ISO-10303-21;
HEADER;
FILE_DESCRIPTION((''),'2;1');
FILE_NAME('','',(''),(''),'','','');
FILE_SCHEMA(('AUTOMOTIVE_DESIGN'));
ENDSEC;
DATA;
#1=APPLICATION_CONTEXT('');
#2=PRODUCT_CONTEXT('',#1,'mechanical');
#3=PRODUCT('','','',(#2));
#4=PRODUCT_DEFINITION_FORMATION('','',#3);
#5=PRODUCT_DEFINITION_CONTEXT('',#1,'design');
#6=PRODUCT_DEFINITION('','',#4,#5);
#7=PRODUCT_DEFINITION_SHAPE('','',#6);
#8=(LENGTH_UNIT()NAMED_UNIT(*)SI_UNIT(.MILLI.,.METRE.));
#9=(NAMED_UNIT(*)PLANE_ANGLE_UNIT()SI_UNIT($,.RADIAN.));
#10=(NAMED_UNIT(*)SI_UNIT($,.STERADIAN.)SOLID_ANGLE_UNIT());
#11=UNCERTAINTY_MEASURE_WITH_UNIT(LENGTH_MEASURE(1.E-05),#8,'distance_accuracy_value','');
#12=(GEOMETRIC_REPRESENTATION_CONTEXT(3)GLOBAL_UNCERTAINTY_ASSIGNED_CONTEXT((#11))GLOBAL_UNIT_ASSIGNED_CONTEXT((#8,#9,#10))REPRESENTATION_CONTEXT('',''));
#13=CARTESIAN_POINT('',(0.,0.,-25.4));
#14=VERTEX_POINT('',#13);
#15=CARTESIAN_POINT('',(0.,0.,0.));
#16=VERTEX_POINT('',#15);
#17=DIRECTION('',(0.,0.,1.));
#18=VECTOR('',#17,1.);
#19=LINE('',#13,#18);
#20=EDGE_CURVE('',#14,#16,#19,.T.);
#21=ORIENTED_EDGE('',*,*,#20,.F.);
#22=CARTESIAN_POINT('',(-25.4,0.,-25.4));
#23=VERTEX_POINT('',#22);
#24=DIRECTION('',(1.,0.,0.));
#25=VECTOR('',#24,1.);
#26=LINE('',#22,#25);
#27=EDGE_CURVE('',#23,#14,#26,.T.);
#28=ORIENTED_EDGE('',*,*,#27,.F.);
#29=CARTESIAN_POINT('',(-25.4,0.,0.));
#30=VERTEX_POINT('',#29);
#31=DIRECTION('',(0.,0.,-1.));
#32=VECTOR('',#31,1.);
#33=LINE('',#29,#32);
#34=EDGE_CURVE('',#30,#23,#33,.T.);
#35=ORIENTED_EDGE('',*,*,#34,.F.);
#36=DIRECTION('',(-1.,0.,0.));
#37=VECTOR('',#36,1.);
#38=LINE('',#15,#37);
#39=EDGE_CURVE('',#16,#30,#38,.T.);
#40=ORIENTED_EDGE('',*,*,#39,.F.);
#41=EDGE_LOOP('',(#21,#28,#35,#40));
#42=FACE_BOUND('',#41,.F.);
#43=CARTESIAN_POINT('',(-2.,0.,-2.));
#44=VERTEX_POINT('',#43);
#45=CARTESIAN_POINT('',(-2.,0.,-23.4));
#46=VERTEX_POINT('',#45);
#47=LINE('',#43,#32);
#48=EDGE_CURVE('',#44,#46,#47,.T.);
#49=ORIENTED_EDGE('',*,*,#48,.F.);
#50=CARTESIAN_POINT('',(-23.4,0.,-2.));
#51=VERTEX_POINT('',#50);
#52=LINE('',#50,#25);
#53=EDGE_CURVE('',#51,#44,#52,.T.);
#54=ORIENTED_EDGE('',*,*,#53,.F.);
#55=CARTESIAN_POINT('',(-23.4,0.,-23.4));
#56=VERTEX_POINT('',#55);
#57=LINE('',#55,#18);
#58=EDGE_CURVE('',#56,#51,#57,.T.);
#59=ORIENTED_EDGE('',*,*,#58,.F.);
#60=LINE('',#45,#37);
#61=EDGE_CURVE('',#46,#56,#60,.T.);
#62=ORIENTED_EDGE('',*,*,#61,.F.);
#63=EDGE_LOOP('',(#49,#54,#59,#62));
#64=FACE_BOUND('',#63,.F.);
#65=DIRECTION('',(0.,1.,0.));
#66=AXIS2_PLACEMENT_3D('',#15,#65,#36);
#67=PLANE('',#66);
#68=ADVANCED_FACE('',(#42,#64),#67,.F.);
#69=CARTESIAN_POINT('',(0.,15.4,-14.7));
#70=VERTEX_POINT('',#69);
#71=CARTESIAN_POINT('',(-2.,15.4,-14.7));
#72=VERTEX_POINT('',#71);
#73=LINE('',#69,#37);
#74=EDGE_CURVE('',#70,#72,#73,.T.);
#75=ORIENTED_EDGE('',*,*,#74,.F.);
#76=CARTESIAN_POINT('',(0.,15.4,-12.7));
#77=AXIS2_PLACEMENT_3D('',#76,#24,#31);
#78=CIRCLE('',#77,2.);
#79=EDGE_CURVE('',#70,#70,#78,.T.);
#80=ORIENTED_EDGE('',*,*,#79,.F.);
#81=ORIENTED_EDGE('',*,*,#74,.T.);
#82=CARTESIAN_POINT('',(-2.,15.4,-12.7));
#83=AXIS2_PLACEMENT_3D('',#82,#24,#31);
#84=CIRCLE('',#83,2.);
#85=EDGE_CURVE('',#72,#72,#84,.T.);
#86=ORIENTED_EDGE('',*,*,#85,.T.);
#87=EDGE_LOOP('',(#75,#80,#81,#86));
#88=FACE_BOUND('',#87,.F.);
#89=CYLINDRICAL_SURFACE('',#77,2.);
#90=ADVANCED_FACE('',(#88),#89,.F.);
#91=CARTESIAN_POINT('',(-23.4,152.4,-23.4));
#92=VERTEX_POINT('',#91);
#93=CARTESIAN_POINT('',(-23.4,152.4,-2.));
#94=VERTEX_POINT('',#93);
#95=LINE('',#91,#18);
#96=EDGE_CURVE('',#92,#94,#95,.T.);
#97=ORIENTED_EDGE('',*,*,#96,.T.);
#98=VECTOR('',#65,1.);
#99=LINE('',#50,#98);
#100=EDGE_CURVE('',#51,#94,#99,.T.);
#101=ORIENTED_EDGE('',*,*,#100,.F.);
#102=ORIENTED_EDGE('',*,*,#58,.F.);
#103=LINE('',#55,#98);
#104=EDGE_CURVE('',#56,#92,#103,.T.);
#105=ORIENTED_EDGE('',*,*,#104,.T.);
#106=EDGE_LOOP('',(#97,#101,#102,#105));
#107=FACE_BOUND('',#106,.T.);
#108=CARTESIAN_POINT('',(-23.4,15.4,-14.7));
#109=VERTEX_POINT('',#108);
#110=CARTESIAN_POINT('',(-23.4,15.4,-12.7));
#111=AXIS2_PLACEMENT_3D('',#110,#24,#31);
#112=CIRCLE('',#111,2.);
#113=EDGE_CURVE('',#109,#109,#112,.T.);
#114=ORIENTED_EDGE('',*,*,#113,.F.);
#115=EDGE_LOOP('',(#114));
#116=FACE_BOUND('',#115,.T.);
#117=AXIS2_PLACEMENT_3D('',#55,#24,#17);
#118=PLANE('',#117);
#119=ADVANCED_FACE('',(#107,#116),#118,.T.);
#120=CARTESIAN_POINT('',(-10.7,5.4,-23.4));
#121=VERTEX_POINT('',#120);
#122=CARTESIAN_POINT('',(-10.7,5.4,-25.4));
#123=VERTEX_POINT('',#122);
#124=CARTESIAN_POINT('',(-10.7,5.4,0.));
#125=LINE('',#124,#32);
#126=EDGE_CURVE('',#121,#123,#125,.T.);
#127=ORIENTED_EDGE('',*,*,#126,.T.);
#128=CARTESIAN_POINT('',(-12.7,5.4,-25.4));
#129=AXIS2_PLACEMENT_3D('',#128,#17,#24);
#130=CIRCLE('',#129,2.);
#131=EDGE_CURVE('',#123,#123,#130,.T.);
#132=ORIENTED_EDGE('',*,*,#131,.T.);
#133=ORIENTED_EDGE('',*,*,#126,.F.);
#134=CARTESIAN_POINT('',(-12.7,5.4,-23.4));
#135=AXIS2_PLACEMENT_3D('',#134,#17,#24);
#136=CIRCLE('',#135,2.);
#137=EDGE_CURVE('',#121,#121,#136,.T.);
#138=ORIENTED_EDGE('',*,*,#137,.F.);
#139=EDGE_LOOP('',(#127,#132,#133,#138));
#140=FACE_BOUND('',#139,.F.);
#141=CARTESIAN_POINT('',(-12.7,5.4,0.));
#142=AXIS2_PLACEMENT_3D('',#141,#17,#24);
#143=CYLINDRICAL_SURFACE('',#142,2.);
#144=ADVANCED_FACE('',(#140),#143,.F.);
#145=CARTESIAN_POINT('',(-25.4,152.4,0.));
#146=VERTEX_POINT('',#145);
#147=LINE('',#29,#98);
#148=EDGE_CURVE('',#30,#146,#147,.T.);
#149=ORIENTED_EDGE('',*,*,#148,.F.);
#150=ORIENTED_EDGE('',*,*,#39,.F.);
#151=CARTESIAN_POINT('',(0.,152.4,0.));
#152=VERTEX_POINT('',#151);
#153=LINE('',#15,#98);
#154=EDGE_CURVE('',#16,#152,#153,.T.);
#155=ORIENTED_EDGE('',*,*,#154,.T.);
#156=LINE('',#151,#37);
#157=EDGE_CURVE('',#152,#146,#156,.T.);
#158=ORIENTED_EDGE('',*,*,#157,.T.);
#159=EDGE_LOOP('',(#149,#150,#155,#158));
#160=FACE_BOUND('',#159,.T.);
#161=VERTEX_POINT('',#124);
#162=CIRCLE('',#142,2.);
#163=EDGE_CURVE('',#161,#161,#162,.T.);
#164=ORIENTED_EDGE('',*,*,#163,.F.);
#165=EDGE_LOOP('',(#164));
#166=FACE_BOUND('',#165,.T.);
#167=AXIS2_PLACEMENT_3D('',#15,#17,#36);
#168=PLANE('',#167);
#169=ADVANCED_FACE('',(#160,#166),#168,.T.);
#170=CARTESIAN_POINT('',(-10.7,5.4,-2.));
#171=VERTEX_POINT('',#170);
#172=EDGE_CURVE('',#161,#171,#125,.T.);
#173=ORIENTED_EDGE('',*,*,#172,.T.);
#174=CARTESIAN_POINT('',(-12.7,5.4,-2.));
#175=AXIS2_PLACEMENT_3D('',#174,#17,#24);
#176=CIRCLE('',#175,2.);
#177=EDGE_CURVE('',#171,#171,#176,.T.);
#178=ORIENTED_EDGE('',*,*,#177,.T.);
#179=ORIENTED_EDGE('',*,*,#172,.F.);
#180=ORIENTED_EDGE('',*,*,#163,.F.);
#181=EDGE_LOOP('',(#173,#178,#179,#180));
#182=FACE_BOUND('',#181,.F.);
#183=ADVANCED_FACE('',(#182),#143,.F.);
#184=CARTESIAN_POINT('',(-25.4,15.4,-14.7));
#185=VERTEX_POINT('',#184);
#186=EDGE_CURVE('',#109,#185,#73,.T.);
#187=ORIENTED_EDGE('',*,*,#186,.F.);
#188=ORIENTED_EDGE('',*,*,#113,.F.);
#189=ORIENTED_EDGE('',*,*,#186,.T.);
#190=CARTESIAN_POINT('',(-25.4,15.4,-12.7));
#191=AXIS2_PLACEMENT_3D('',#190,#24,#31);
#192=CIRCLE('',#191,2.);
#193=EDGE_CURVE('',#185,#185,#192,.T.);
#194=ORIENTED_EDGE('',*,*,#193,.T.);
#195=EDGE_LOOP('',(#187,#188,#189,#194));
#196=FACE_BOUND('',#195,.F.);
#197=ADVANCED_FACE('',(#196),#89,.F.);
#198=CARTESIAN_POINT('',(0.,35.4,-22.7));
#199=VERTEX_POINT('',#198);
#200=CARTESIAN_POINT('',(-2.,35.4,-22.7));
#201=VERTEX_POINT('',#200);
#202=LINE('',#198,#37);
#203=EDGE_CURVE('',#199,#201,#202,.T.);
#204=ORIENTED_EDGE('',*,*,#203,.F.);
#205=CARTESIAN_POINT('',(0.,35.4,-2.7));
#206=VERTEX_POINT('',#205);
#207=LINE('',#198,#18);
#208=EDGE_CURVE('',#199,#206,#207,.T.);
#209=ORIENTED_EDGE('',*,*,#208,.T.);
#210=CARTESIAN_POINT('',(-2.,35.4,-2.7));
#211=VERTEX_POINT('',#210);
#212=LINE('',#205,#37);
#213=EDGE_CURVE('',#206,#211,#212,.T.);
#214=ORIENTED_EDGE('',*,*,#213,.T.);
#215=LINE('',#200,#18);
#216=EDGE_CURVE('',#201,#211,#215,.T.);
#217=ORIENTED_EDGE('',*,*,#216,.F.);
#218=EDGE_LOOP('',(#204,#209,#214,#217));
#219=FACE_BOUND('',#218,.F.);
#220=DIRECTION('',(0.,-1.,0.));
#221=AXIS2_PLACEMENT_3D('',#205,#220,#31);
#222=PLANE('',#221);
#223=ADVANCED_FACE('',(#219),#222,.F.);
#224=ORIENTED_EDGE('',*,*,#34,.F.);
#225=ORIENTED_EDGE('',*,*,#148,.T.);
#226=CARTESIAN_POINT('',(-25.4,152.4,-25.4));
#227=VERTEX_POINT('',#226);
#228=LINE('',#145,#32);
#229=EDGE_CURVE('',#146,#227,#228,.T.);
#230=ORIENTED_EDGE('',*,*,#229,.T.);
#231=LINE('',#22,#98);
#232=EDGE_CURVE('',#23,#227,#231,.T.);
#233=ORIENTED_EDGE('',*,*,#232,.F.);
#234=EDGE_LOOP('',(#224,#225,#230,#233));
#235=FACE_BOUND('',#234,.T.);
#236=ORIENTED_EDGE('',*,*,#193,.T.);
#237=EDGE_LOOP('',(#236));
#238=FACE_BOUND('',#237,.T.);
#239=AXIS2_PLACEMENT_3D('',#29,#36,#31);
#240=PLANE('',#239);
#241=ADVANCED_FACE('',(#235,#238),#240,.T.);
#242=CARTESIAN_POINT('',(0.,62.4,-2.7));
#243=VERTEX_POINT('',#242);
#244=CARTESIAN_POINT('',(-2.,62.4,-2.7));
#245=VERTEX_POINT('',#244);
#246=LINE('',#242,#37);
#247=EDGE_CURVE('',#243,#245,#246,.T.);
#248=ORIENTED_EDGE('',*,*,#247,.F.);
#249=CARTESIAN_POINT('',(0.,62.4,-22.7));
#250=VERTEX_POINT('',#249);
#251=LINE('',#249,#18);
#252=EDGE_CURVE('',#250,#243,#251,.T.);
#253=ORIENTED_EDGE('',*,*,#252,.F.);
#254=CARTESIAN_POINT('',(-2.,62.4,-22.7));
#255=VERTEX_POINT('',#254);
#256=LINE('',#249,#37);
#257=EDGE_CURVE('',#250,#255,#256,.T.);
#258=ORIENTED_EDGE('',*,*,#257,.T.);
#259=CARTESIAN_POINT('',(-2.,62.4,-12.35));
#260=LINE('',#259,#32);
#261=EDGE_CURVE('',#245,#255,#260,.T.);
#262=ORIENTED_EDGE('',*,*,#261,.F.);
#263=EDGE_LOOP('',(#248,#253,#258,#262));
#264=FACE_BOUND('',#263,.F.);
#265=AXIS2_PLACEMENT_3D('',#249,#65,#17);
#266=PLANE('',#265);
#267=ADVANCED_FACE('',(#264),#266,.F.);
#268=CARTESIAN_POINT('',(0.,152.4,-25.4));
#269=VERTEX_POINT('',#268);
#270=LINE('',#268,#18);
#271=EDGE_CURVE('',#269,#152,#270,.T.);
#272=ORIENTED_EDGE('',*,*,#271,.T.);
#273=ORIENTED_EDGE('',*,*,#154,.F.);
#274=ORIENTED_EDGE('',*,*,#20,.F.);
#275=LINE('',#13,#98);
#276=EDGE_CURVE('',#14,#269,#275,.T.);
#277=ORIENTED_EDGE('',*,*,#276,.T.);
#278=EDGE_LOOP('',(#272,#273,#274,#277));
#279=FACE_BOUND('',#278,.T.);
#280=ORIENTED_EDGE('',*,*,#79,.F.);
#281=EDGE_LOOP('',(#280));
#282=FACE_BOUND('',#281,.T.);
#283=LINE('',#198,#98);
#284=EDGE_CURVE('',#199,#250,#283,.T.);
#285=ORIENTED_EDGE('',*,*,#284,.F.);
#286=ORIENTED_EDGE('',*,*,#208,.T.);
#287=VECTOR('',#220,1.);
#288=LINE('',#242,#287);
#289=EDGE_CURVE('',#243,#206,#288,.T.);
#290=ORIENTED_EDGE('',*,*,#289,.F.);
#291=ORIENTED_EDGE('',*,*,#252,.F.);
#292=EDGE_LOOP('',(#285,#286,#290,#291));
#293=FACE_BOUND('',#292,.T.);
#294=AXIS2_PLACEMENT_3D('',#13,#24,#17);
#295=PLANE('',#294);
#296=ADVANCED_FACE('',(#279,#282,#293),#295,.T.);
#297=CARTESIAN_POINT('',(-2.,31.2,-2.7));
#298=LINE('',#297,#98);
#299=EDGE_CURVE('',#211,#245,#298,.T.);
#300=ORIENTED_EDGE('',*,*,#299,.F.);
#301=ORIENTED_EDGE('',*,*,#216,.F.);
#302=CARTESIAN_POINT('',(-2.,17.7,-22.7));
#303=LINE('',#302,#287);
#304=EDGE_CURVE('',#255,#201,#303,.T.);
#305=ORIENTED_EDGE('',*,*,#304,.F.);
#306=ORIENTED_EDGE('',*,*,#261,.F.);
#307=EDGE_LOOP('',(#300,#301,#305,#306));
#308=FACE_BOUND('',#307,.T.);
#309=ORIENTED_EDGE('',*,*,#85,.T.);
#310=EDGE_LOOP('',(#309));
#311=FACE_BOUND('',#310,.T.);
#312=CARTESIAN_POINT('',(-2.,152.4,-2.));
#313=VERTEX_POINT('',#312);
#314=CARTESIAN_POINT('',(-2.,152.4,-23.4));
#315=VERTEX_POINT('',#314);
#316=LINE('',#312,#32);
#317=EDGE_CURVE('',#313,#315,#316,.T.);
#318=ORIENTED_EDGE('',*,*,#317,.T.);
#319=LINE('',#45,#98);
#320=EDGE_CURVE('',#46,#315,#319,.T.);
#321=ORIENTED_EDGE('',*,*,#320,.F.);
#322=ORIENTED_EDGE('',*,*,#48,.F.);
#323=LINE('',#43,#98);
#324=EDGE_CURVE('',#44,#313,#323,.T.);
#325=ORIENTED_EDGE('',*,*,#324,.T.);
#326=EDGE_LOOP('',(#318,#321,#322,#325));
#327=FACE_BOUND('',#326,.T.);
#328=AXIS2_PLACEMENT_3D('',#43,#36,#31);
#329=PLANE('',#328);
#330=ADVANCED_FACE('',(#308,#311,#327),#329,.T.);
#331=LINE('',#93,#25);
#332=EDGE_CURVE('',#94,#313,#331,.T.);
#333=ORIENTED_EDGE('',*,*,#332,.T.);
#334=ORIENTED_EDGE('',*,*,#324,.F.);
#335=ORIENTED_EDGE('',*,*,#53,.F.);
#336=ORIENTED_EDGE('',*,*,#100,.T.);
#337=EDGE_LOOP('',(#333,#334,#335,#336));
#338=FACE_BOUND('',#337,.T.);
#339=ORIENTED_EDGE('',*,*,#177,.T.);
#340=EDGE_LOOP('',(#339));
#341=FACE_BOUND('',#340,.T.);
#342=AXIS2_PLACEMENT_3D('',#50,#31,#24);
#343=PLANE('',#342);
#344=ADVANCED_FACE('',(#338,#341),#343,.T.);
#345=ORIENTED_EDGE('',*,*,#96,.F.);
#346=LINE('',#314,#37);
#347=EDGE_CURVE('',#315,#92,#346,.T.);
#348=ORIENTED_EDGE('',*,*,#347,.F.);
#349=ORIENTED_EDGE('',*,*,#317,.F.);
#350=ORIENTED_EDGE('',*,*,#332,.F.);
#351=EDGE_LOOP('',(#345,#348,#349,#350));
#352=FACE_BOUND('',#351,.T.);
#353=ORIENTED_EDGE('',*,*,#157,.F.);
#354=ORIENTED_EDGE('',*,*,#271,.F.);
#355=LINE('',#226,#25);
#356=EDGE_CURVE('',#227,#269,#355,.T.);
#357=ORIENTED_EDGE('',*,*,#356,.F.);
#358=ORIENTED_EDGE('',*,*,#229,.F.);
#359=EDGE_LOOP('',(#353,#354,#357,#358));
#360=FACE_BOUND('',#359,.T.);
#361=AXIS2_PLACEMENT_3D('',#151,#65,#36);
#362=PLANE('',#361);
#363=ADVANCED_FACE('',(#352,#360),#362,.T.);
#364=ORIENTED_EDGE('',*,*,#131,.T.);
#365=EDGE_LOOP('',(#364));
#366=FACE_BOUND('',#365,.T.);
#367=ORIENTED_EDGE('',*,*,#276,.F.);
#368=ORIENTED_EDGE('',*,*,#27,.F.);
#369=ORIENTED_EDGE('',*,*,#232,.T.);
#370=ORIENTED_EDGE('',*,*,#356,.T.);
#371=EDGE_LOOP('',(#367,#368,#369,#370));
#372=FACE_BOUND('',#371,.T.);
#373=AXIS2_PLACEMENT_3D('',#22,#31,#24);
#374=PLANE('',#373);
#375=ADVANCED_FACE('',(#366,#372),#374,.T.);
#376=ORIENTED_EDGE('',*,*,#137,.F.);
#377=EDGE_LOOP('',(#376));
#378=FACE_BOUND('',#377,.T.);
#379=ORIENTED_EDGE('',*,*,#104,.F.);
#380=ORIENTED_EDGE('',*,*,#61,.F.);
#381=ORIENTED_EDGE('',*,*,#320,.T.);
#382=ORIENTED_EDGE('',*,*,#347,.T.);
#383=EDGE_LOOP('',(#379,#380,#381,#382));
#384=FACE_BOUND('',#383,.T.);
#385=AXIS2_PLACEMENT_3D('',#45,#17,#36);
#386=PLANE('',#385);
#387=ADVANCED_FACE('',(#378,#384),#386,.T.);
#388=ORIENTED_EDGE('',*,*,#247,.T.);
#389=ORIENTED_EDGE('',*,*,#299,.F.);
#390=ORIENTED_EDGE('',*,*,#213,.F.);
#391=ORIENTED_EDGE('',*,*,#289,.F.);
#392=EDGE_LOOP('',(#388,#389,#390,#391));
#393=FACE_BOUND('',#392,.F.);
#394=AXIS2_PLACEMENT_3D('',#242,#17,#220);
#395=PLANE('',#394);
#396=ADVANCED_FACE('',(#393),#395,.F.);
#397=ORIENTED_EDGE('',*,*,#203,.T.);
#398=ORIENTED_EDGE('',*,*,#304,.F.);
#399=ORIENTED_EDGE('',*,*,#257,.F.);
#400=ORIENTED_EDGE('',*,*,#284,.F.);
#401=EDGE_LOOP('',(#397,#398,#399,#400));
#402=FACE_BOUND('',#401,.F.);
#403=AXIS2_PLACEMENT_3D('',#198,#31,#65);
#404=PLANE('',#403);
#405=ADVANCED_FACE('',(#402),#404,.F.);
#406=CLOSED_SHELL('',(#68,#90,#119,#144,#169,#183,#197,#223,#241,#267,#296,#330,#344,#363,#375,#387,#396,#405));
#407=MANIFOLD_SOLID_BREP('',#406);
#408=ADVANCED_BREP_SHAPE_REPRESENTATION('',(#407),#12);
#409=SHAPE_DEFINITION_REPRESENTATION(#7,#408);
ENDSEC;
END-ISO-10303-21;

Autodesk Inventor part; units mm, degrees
ref_plane "YZ Plane" through (0, 0, 0) normal (1, 0, 0) x (0, 1, 0)
ref_plane "XZ Plane" through (0, 0, 0) normal (0, 1, 0) x (-1, 0, 0)
ref_plane "XY Plane" through (0, 0, 0) normal (0, 0, 1) x (1, 0, 0)
sketch "Sketch1" plane through (0, 0, 0) normal (0, 1, 0) x (-1, 0, 0)
  line L0 (0, 0) -> (25.4, 0)
  line L1 (25.4, 0) -> (25.4, -25.4)
  line L2 (25.4, -25.4) -> (0, -25.4)
  line L3 (0, -25.4) -> (0, 0)
  line L4 (23.4, -23.4) -> (23.4, -2)
  line L5 (23.4, -2) -> (2, -2)
  line L6 (2, -2) -> (2, -23.4)
  line L7 (2, -23.4) -> (23.4, -23.4)
  dimension "d0" = 25.4
  dimension "d1" = 25.4
  dimension "d2" = 2
extrude "Extrusion1" add sketch "Sketch1" along normal blind 152.4
sketch "Sketch2" plane through (-25.4, 0, 0) normal (0, 0, 1) x (1, 0, 0)
  line L0 (25.4, 0) -> (0, 0) projected
  circle A0 centre (12.7, 5.4) radius 2
  dimension "d6" = 4
extrude "Extrusion2" cut sketch "Sketch2" against normal through all
sketch "Sketch3" plane through (0, 0, 0) normal (1, 0, 0) x (0, 0, -1)
  line L0 (0, 0) -> (25.4, 0) projected
  circle A0 centre (12.7, 15.4) radius 2
  dimension "d10" = 4
extrude "Extrusion3" cut sketch "Sketch3" against normal through all
sketch "Sketch4" plane through (0, 0, 0) normal (1, 0, 0) x (0, 0, -1)
  line L0 (23.4, 0) -> (2, 0) projected
  line L1 (12.7, 35.4) -> (22.7, 35.4)
  line L2 (22.7, 35.4) -> (22.7, 62.4)
  line L3 (23.4, 0) -> (23.4, 152.4) projected
  line L4 (22.7, 62.4) -> (2.7, 62.4)
  line L5 (2.7, 62.4) -> (2.7, 35.4)
  line L6 (2.7, 35.4) -> (12.7, 35.4)
  point P0 (0, 0)
  dimension "d15" = 10
  dimension "d16" = 20
extrude "Extrusion4" cut sketch "Sketch4" against normal blind 10
properties part number "Metal_Bone"
